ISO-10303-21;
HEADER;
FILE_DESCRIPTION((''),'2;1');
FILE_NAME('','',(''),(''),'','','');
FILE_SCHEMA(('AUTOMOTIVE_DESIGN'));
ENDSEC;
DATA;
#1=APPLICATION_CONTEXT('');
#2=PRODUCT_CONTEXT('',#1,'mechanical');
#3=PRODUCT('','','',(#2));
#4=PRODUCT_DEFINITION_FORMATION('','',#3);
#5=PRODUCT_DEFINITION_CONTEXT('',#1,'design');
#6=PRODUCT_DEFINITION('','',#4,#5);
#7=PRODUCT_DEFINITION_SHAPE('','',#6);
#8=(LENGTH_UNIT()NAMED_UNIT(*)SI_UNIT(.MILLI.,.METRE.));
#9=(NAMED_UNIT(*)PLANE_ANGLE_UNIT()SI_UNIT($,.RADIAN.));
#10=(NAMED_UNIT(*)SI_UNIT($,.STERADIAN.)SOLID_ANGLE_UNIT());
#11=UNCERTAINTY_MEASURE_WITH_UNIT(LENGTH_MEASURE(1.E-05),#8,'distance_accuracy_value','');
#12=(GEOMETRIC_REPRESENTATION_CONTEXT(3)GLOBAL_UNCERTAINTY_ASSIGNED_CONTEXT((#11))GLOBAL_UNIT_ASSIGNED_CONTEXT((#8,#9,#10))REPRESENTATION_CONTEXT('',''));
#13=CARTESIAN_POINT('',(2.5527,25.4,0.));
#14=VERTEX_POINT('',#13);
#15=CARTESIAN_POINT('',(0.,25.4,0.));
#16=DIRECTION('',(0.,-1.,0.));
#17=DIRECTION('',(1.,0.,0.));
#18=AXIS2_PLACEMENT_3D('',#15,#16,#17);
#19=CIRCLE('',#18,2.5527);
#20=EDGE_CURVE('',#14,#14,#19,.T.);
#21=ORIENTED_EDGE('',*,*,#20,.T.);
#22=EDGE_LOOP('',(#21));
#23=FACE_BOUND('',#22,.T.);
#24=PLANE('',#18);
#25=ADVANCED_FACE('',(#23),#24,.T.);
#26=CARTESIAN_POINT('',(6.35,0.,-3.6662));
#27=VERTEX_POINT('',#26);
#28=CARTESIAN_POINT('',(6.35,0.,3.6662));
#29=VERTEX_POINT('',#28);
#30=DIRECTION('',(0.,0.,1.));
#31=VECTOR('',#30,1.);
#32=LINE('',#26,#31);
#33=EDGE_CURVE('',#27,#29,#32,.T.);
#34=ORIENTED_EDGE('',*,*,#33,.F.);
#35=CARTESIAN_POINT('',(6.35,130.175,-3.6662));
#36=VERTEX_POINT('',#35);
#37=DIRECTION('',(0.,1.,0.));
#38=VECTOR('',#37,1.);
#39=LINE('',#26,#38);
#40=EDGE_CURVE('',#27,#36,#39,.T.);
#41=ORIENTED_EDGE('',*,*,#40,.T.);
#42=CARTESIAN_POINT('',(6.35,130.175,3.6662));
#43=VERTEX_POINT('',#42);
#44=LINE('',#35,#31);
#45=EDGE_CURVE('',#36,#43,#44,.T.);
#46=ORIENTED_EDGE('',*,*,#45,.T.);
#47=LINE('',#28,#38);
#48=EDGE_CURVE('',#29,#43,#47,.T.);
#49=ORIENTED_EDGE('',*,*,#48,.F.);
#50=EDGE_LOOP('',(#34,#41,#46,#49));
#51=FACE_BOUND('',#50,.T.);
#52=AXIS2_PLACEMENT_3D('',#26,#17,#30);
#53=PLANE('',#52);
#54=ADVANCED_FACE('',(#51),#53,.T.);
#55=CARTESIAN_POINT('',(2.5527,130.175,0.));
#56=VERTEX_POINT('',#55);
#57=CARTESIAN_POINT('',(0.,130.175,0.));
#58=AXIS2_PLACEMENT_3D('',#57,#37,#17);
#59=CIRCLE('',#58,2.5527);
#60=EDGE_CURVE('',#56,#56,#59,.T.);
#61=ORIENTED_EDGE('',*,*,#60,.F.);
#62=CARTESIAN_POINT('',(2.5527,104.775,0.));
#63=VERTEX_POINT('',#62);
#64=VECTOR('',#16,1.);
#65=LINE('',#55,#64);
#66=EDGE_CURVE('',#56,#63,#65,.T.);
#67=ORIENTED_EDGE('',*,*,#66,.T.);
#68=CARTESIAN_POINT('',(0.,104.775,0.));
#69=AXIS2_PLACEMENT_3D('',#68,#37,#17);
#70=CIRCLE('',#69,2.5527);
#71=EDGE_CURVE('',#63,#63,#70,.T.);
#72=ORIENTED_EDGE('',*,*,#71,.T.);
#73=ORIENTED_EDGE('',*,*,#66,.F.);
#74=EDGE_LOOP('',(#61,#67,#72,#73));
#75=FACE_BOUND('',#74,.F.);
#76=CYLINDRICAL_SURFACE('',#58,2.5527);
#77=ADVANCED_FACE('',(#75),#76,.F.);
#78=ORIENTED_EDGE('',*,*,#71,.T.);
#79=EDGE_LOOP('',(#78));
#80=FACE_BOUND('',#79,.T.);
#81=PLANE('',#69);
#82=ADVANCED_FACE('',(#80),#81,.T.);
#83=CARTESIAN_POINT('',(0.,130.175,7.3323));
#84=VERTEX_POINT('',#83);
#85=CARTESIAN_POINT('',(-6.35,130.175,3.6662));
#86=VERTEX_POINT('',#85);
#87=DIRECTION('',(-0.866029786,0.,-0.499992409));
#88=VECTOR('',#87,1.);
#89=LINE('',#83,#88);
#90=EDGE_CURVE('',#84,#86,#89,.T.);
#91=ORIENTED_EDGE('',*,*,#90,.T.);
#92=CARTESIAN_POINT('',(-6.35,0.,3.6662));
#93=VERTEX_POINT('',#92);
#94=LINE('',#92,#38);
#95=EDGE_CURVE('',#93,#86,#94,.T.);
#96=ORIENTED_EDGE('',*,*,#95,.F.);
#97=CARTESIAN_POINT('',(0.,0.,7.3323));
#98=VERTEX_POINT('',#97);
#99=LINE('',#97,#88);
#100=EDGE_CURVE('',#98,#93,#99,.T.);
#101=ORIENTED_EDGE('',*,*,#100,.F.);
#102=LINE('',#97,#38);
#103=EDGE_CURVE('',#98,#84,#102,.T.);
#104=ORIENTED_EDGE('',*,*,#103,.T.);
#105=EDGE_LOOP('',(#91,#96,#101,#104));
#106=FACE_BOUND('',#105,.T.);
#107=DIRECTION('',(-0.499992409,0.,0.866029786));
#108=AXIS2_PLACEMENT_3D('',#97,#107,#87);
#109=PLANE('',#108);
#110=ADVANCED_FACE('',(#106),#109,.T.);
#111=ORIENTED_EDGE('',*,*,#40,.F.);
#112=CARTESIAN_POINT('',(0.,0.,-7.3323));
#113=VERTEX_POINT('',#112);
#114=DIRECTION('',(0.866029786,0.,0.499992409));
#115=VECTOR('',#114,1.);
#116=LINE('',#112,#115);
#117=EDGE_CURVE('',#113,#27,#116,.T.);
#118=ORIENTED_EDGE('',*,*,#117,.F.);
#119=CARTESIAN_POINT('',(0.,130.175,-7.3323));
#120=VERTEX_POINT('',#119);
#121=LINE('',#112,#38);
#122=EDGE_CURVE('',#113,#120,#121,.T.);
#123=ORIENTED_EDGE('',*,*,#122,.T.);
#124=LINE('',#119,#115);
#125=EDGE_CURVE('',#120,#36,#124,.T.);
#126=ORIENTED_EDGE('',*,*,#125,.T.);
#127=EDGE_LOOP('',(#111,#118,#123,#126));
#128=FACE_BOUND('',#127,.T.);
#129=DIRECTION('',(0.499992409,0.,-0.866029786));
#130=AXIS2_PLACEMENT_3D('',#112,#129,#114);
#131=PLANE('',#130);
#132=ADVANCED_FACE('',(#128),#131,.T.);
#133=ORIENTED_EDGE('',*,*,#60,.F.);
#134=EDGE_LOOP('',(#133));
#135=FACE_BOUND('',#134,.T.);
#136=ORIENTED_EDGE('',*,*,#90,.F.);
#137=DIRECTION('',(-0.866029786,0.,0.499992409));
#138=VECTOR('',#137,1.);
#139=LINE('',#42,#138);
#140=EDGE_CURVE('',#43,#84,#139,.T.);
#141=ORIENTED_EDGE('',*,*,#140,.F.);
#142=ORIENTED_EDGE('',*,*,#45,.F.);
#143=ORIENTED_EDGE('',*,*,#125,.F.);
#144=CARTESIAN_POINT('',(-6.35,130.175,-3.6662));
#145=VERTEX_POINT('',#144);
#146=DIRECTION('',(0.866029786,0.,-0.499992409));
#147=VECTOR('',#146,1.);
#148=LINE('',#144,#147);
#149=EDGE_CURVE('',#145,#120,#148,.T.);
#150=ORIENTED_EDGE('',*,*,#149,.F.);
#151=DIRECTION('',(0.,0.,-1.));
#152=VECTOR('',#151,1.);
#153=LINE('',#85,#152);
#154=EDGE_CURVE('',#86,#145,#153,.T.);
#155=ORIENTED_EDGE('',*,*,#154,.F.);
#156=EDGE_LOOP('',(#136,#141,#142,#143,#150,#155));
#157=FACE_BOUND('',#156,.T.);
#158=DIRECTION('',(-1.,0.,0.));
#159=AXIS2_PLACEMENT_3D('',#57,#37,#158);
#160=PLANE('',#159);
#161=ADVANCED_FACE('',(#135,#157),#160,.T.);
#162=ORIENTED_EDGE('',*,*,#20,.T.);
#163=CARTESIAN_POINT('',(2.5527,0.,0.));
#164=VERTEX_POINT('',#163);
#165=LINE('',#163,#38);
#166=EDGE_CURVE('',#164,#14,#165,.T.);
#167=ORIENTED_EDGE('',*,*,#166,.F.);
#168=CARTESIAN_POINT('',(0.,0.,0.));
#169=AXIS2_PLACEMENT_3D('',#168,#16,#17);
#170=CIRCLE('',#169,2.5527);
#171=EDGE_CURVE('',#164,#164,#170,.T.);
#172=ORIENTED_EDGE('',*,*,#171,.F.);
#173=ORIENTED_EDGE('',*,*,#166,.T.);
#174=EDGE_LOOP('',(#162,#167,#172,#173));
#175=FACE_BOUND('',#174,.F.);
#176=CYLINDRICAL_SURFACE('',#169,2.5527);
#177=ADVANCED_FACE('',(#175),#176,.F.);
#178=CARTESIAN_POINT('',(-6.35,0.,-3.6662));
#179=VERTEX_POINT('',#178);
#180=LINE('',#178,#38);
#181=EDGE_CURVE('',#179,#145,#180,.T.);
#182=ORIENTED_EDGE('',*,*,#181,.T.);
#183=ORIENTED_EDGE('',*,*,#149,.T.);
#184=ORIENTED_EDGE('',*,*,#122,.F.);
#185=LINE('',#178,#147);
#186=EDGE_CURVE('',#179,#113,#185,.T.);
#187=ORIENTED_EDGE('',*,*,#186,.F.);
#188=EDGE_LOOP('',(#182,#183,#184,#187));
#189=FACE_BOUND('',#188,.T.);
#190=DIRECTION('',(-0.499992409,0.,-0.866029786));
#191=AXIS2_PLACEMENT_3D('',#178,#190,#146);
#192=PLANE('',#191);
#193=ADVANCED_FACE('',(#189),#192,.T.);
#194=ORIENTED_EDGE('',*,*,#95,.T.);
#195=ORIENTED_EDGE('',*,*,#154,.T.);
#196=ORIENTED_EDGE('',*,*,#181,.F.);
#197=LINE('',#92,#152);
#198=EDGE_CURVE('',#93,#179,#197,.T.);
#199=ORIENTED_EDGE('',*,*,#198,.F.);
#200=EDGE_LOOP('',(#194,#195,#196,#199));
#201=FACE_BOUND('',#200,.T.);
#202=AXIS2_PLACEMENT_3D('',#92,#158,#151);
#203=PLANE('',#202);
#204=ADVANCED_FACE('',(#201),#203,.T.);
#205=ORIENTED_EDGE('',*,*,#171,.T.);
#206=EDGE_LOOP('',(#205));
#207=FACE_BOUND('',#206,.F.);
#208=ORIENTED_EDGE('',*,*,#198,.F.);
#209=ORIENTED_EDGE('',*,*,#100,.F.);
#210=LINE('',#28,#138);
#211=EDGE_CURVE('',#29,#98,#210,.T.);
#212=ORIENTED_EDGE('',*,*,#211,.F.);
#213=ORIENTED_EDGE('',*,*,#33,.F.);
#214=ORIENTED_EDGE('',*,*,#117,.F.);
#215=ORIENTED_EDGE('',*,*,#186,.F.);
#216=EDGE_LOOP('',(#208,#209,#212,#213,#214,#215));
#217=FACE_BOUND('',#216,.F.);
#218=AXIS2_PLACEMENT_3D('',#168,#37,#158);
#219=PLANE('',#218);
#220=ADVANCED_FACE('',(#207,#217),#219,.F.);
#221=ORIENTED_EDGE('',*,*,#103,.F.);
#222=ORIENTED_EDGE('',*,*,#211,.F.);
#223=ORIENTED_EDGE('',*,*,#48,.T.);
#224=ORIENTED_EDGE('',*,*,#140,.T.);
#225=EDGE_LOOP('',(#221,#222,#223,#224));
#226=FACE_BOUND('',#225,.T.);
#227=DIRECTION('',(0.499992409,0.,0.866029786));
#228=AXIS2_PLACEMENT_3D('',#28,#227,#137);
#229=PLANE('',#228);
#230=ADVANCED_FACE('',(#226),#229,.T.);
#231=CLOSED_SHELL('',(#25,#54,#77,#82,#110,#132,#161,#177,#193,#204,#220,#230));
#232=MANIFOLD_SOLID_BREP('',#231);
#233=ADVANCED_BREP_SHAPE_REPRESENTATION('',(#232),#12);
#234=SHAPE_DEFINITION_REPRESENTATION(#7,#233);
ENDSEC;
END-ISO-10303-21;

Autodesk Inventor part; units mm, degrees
ref_plane "YZ Plane" through (0, 0, 0) normal (1, 0, 0) x (0, 1, 0)
ref_plane "XZ Plane" through (0, 0, 0) normal (0, 1, 0) x (-1, 0, 0)
ref_plane "XY Plane" through (0, 0, 0) normal (0, 0, 1) x (1, 0, 0)
sketch "Sketch1" plane through (0, 0, 0) normal (0, 1, 0) x (-1, 0, 0)
  line L0 (-6.35, -3.6662) -> (-6.35, 3.6662)
  line L1 (-6.35, 3.6662) -> (0, 7.3323)
  line L2 (0, 7.3323) -> (6.35, 3.6662)
  line L3 (6.35, 3.6662) -> (6.35, -3.6662)
  line L4 (6.35, -3.6662) -> (0, -7.3323)
  line L5 (0, -7.3323) -> (-6.35, -3.6662)
  point P0 (0, 0)
  point P1 (0, 0)
  dimension "d0" = 12.7
extrude "Extrusion1" add sketch "Sketch1" along normal blind 130.175
sketch "Sketch3" plane through (0, 130.175, 0) normal (0, 1, 0) x (1, 0, 0)
  circle A0 centre (0, 0) radius 2.5527
  dimension "d3" = 5.1054
extrude "Extrusion2" cut sketch "Sketch3" against normal blind 25.4
sketch "Sketch4" plane through (0, 0, 0) normal (0, -1, 0) x (1, 0, 0)
  circle A0 centre (0, 0) radius 2.5527
  dimension "d6" = 5.1054
extrude "Extrusion3" cut sketch "Sketch4" against normal blind 25.4
properties part number "INDX_017_Mainhex" material "Aluminum 6061"
